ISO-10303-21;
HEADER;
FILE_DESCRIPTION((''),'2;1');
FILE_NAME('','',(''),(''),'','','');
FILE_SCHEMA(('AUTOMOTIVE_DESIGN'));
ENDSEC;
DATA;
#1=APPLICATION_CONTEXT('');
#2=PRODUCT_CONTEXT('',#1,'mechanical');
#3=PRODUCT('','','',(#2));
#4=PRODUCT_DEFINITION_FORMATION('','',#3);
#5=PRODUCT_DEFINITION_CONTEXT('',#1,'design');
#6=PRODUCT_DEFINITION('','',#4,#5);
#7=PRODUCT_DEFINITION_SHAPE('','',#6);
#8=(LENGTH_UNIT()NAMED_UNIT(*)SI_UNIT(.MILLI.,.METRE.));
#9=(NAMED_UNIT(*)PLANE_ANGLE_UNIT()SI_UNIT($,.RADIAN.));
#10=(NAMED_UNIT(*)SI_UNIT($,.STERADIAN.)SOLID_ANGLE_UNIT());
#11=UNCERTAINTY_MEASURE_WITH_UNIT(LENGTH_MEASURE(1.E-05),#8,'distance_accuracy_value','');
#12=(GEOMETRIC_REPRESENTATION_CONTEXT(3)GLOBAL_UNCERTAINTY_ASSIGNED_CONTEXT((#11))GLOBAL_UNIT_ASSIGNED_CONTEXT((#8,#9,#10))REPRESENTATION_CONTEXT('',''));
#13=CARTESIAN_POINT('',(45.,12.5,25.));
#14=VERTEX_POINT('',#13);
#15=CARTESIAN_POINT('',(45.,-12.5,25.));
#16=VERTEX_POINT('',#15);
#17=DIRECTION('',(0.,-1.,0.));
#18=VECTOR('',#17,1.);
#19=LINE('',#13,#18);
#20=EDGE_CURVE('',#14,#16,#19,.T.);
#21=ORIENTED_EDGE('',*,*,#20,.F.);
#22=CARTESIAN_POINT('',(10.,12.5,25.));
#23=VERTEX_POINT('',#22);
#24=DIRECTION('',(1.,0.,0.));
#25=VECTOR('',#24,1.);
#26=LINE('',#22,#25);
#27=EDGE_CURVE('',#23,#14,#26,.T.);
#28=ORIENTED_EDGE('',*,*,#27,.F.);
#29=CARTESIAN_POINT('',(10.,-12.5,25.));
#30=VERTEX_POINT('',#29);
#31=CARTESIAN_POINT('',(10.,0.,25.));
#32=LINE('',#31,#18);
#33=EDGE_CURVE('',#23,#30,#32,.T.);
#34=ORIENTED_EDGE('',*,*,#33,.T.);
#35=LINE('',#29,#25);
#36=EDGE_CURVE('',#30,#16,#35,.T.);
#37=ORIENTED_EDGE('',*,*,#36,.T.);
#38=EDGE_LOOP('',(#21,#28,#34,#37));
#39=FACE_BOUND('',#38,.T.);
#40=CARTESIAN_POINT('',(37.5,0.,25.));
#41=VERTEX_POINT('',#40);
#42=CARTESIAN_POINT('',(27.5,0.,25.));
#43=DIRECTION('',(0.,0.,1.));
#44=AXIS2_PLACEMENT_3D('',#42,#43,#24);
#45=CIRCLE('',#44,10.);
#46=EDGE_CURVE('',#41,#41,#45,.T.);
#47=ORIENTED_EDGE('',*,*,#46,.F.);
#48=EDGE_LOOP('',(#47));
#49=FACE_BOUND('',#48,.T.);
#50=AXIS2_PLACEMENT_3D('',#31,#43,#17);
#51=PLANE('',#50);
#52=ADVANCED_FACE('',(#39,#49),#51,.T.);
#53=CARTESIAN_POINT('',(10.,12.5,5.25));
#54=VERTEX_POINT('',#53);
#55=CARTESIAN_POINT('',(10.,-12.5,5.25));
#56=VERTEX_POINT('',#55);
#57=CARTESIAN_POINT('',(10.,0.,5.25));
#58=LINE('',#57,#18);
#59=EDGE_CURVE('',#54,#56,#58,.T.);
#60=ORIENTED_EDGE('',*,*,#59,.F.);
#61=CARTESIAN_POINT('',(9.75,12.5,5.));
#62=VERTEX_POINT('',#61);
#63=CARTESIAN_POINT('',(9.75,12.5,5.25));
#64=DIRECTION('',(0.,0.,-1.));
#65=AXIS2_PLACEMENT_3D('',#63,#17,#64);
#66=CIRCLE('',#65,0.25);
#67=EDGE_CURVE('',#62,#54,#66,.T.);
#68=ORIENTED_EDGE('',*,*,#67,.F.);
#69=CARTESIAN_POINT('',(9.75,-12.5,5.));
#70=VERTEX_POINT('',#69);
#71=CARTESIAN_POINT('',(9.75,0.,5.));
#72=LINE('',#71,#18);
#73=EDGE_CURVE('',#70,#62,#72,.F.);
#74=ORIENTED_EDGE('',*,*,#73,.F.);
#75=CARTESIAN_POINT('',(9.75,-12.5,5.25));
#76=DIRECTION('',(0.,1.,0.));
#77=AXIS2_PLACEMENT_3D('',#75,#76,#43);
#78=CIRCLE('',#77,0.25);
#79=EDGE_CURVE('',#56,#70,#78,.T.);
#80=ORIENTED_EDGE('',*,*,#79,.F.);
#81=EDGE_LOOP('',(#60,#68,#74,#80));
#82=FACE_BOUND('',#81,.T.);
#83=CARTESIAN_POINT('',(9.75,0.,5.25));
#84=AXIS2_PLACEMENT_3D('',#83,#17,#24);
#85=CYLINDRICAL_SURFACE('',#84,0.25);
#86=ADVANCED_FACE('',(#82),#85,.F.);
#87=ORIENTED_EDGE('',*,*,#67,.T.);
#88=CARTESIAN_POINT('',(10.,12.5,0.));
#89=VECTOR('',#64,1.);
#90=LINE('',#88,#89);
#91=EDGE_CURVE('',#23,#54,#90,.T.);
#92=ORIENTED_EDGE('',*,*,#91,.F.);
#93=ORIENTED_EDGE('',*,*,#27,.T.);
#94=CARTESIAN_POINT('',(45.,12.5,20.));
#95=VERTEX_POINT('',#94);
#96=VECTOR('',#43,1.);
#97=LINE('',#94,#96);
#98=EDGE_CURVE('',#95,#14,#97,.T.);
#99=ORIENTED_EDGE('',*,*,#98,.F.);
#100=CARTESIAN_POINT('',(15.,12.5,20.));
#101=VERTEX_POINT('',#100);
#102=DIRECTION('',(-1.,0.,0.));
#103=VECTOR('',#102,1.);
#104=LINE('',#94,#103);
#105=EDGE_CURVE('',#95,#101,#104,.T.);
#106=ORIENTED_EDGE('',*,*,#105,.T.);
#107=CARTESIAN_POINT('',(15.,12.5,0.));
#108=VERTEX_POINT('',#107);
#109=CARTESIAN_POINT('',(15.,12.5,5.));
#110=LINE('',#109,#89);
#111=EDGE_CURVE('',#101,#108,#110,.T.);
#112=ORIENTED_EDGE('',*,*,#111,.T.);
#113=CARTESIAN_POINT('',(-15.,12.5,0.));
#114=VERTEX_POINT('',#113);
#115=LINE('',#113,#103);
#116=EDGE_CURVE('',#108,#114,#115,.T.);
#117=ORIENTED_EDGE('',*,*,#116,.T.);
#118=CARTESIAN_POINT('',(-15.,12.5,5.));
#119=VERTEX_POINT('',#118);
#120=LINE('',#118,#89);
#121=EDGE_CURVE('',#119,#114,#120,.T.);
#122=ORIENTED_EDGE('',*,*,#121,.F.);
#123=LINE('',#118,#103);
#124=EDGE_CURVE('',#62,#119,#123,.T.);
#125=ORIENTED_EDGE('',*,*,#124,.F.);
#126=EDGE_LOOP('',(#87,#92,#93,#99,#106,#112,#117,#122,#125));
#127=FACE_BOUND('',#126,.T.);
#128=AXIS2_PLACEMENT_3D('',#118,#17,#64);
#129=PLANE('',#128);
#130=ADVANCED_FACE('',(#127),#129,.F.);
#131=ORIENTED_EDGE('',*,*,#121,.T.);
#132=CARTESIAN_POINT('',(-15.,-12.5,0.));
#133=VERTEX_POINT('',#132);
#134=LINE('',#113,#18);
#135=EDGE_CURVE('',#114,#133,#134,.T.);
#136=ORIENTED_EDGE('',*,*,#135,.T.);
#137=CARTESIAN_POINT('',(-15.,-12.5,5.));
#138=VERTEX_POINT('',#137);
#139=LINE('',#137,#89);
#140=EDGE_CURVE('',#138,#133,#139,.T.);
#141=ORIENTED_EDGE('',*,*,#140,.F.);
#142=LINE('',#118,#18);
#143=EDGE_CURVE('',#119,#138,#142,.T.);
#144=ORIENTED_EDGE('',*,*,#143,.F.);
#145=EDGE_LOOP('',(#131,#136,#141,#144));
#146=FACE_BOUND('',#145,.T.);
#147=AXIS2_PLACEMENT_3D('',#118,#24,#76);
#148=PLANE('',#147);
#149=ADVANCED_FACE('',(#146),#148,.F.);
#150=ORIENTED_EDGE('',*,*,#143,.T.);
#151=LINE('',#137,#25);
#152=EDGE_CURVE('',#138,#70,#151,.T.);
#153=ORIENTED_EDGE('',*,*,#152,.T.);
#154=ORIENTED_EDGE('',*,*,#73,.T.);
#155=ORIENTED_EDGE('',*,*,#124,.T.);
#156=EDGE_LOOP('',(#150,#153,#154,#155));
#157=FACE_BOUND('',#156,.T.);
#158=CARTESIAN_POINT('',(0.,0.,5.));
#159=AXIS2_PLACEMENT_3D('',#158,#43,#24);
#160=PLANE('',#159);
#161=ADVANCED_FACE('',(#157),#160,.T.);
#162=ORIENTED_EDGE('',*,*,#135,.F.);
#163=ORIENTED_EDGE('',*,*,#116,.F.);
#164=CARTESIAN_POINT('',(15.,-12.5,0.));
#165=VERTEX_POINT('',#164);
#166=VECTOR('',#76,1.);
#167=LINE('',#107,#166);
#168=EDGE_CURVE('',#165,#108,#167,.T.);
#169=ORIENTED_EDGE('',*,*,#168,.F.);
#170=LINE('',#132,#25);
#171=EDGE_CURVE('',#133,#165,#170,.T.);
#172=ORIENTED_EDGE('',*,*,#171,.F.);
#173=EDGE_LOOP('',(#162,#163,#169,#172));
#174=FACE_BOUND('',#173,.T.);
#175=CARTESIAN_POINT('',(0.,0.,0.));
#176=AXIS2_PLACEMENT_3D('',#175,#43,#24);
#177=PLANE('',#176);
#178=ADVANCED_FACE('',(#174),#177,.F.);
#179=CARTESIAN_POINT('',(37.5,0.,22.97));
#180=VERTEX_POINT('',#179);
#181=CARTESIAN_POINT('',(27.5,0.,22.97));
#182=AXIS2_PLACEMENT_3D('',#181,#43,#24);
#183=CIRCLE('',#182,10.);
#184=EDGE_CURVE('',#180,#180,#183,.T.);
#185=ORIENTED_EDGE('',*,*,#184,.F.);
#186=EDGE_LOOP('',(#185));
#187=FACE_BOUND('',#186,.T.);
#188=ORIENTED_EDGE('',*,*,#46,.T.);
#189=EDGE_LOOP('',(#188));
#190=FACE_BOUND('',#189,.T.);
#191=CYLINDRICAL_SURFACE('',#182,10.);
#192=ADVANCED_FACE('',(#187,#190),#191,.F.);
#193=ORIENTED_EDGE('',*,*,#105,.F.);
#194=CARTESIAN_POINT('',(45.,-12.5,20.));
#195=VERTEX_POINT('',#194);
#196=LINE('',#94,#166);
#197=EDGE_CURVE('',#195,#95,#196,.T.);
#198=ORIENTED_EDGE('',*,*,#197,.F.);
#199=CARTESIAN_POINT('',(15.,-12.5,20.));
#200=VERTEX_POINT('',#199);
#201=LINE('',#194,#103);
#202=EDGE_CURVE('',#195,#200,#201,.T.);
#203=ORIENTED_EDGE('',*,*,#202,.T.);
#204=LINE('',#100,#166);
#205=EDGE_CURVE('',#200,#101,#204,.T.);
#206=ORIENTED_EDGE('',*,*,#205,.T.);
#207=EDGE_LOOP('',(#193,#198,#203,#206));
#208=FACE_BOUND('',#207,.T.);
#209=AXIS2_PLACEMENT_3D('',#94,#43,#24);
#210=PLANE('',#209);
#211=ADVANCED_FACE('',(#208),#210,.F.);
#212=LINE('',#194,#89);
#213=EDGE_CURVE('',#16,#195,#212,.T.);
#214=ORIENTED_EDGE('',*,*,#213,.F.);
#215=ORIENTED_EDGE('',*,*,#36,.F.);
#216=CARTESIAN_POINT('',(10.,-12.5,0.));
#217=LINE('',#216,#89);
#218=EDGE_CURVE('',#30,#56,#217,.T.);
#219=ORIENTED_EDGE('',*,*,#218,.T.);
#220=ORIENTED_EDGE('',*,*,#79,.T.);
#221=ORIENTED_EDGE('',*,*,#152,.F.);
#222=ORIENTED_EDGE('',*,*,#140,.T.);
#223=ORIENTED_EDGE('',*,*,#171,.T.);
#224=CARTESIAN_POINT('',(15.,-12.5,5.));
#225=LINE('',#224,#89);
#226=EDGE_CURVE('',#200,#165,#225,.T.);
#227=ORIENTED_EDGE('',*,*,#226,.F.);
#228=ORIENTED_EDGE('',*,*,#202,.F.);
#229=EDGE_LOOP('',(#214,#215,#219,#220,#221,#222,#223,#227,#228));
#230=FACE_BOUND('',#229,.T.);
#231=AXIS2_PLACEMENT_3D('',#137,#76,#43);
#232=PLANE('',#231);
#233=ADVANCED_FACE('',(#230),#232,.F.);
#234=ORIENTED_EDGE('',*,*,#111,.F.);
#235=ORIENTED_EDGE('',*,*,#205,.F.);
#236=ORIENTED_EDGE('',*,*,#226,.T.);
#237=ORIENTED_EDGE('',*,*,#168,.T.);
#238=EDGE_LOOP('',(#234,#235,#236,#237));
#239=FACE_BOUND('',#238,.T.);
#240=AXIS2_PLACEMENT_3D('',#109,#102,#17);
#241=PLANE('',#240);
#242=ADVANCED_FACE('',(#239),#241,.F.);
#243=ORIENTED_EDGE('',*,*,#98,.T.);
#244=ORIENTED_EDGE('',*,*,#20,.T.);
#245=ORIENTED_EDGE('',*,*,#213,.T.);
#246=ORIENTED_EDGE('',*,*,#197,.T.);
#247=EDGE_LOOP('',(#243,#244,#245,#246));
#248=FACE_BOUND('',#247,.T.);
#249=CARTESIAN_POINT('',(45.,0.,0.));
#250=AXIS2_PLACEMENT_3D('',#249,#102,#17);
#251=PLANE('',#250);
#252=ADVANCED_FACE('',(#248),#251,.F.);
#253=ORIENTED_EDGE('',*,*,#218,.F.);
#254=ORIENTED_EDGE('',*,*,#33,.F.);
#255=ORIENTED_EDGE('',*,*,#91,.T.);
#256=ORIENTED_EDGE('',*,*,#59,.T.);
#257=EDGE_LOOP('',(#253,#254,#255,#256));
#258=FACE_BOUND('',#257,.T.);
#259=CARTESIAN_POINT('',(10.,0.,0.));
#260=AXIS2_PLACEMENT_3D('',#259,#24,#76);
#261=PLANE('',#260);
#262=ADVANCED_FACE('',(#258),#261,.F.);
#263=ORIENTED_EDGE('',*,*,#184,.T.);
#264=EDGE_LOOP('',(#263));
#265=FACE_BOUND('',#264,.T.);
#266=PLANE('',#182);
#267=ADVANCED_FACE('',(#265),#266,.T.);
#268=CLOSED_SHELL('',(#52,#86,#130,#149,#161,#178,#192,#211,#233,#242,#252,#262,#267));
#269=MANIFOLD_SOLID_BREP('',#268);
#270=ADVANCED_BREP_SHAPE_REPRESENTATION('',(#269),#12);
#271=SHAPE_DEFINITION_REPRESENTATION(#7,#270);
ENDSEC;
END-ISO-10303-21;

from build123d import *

# Parameters (mm, degrees)
ESQUISSE1_W             = 30
ESQUISSE1_H             = 25
BOSS_EXTRU_2_DEPTH      = 5
ESQUISSE2_W             = 20
ESQUISSE2_H             = 25
BOSS_EXTRU_4_DEPTH      = 5
ESQUISSE3_W             = 5
ESQUISSE3_H             = 25
BOSS_EXTRU_5_DEPTH      = 30
CONG_1_R                = 0.25
ESQUISSE4_R             = 10
ENL_V_MAT_EXTRU_1_DEPTH = 2.03


with BuildPart() as part:
    # Esquisse1 → Boss.-Extru.2 (new body)
    with BuildSketch(Plane.XY):
        Rectangle(ESQUISSE1_W, ESQUISSE1_H)
    extrude(amount=BOSS_EXTRU_2_DEPTH)

    # Esquisse2 → Boss.-Extru.4 (add)
    with BuildSketch(Plane(origin=(15, 0, 0), x_dir=(0, 0, -1), z_dir=(1, 0, 0))):
        with Locations((-15, 0)):
            Rectangle(ESQUISSE2_W, ESQUISSE2_H)
    extrude(amount=-BOSS_EXTRU_4_DEPTH)

    # Esquisse3 → Boss.-Extru.5 (add)
    with BuildSketch(Plane(origin=(15, 0, 0), x_dir=(0, 0, -1), z_dir=(1, 0, 0))):
        with Locations((-22.5, 0)):
            Rectangle(ESQUISSE3_W, ESQUISSE3_H)
    extrude(amount=BOSS_EXTRU_5_DEPTH)

    # Congé1
    cong_1_edges = [part.edges().sort_by_distance(p)[0] for p in [
        (10, 0, 5),
    ]]
    fillet(cong_1_edges, radius=CONG_1_R)

    # Esquisse4 → Enlèv. mat.-Extru.1 (cut)
    with BuildSketch(Plane.XY.offset(25)):
        with Locations((27.5, 0)):
            Circle(ESQUISSE4_R)
    extrude(amount=-ENL_V_MAT_EXTRU_1_DEPTH, mode=Mode.SUBTRACT)


solid = part.part
